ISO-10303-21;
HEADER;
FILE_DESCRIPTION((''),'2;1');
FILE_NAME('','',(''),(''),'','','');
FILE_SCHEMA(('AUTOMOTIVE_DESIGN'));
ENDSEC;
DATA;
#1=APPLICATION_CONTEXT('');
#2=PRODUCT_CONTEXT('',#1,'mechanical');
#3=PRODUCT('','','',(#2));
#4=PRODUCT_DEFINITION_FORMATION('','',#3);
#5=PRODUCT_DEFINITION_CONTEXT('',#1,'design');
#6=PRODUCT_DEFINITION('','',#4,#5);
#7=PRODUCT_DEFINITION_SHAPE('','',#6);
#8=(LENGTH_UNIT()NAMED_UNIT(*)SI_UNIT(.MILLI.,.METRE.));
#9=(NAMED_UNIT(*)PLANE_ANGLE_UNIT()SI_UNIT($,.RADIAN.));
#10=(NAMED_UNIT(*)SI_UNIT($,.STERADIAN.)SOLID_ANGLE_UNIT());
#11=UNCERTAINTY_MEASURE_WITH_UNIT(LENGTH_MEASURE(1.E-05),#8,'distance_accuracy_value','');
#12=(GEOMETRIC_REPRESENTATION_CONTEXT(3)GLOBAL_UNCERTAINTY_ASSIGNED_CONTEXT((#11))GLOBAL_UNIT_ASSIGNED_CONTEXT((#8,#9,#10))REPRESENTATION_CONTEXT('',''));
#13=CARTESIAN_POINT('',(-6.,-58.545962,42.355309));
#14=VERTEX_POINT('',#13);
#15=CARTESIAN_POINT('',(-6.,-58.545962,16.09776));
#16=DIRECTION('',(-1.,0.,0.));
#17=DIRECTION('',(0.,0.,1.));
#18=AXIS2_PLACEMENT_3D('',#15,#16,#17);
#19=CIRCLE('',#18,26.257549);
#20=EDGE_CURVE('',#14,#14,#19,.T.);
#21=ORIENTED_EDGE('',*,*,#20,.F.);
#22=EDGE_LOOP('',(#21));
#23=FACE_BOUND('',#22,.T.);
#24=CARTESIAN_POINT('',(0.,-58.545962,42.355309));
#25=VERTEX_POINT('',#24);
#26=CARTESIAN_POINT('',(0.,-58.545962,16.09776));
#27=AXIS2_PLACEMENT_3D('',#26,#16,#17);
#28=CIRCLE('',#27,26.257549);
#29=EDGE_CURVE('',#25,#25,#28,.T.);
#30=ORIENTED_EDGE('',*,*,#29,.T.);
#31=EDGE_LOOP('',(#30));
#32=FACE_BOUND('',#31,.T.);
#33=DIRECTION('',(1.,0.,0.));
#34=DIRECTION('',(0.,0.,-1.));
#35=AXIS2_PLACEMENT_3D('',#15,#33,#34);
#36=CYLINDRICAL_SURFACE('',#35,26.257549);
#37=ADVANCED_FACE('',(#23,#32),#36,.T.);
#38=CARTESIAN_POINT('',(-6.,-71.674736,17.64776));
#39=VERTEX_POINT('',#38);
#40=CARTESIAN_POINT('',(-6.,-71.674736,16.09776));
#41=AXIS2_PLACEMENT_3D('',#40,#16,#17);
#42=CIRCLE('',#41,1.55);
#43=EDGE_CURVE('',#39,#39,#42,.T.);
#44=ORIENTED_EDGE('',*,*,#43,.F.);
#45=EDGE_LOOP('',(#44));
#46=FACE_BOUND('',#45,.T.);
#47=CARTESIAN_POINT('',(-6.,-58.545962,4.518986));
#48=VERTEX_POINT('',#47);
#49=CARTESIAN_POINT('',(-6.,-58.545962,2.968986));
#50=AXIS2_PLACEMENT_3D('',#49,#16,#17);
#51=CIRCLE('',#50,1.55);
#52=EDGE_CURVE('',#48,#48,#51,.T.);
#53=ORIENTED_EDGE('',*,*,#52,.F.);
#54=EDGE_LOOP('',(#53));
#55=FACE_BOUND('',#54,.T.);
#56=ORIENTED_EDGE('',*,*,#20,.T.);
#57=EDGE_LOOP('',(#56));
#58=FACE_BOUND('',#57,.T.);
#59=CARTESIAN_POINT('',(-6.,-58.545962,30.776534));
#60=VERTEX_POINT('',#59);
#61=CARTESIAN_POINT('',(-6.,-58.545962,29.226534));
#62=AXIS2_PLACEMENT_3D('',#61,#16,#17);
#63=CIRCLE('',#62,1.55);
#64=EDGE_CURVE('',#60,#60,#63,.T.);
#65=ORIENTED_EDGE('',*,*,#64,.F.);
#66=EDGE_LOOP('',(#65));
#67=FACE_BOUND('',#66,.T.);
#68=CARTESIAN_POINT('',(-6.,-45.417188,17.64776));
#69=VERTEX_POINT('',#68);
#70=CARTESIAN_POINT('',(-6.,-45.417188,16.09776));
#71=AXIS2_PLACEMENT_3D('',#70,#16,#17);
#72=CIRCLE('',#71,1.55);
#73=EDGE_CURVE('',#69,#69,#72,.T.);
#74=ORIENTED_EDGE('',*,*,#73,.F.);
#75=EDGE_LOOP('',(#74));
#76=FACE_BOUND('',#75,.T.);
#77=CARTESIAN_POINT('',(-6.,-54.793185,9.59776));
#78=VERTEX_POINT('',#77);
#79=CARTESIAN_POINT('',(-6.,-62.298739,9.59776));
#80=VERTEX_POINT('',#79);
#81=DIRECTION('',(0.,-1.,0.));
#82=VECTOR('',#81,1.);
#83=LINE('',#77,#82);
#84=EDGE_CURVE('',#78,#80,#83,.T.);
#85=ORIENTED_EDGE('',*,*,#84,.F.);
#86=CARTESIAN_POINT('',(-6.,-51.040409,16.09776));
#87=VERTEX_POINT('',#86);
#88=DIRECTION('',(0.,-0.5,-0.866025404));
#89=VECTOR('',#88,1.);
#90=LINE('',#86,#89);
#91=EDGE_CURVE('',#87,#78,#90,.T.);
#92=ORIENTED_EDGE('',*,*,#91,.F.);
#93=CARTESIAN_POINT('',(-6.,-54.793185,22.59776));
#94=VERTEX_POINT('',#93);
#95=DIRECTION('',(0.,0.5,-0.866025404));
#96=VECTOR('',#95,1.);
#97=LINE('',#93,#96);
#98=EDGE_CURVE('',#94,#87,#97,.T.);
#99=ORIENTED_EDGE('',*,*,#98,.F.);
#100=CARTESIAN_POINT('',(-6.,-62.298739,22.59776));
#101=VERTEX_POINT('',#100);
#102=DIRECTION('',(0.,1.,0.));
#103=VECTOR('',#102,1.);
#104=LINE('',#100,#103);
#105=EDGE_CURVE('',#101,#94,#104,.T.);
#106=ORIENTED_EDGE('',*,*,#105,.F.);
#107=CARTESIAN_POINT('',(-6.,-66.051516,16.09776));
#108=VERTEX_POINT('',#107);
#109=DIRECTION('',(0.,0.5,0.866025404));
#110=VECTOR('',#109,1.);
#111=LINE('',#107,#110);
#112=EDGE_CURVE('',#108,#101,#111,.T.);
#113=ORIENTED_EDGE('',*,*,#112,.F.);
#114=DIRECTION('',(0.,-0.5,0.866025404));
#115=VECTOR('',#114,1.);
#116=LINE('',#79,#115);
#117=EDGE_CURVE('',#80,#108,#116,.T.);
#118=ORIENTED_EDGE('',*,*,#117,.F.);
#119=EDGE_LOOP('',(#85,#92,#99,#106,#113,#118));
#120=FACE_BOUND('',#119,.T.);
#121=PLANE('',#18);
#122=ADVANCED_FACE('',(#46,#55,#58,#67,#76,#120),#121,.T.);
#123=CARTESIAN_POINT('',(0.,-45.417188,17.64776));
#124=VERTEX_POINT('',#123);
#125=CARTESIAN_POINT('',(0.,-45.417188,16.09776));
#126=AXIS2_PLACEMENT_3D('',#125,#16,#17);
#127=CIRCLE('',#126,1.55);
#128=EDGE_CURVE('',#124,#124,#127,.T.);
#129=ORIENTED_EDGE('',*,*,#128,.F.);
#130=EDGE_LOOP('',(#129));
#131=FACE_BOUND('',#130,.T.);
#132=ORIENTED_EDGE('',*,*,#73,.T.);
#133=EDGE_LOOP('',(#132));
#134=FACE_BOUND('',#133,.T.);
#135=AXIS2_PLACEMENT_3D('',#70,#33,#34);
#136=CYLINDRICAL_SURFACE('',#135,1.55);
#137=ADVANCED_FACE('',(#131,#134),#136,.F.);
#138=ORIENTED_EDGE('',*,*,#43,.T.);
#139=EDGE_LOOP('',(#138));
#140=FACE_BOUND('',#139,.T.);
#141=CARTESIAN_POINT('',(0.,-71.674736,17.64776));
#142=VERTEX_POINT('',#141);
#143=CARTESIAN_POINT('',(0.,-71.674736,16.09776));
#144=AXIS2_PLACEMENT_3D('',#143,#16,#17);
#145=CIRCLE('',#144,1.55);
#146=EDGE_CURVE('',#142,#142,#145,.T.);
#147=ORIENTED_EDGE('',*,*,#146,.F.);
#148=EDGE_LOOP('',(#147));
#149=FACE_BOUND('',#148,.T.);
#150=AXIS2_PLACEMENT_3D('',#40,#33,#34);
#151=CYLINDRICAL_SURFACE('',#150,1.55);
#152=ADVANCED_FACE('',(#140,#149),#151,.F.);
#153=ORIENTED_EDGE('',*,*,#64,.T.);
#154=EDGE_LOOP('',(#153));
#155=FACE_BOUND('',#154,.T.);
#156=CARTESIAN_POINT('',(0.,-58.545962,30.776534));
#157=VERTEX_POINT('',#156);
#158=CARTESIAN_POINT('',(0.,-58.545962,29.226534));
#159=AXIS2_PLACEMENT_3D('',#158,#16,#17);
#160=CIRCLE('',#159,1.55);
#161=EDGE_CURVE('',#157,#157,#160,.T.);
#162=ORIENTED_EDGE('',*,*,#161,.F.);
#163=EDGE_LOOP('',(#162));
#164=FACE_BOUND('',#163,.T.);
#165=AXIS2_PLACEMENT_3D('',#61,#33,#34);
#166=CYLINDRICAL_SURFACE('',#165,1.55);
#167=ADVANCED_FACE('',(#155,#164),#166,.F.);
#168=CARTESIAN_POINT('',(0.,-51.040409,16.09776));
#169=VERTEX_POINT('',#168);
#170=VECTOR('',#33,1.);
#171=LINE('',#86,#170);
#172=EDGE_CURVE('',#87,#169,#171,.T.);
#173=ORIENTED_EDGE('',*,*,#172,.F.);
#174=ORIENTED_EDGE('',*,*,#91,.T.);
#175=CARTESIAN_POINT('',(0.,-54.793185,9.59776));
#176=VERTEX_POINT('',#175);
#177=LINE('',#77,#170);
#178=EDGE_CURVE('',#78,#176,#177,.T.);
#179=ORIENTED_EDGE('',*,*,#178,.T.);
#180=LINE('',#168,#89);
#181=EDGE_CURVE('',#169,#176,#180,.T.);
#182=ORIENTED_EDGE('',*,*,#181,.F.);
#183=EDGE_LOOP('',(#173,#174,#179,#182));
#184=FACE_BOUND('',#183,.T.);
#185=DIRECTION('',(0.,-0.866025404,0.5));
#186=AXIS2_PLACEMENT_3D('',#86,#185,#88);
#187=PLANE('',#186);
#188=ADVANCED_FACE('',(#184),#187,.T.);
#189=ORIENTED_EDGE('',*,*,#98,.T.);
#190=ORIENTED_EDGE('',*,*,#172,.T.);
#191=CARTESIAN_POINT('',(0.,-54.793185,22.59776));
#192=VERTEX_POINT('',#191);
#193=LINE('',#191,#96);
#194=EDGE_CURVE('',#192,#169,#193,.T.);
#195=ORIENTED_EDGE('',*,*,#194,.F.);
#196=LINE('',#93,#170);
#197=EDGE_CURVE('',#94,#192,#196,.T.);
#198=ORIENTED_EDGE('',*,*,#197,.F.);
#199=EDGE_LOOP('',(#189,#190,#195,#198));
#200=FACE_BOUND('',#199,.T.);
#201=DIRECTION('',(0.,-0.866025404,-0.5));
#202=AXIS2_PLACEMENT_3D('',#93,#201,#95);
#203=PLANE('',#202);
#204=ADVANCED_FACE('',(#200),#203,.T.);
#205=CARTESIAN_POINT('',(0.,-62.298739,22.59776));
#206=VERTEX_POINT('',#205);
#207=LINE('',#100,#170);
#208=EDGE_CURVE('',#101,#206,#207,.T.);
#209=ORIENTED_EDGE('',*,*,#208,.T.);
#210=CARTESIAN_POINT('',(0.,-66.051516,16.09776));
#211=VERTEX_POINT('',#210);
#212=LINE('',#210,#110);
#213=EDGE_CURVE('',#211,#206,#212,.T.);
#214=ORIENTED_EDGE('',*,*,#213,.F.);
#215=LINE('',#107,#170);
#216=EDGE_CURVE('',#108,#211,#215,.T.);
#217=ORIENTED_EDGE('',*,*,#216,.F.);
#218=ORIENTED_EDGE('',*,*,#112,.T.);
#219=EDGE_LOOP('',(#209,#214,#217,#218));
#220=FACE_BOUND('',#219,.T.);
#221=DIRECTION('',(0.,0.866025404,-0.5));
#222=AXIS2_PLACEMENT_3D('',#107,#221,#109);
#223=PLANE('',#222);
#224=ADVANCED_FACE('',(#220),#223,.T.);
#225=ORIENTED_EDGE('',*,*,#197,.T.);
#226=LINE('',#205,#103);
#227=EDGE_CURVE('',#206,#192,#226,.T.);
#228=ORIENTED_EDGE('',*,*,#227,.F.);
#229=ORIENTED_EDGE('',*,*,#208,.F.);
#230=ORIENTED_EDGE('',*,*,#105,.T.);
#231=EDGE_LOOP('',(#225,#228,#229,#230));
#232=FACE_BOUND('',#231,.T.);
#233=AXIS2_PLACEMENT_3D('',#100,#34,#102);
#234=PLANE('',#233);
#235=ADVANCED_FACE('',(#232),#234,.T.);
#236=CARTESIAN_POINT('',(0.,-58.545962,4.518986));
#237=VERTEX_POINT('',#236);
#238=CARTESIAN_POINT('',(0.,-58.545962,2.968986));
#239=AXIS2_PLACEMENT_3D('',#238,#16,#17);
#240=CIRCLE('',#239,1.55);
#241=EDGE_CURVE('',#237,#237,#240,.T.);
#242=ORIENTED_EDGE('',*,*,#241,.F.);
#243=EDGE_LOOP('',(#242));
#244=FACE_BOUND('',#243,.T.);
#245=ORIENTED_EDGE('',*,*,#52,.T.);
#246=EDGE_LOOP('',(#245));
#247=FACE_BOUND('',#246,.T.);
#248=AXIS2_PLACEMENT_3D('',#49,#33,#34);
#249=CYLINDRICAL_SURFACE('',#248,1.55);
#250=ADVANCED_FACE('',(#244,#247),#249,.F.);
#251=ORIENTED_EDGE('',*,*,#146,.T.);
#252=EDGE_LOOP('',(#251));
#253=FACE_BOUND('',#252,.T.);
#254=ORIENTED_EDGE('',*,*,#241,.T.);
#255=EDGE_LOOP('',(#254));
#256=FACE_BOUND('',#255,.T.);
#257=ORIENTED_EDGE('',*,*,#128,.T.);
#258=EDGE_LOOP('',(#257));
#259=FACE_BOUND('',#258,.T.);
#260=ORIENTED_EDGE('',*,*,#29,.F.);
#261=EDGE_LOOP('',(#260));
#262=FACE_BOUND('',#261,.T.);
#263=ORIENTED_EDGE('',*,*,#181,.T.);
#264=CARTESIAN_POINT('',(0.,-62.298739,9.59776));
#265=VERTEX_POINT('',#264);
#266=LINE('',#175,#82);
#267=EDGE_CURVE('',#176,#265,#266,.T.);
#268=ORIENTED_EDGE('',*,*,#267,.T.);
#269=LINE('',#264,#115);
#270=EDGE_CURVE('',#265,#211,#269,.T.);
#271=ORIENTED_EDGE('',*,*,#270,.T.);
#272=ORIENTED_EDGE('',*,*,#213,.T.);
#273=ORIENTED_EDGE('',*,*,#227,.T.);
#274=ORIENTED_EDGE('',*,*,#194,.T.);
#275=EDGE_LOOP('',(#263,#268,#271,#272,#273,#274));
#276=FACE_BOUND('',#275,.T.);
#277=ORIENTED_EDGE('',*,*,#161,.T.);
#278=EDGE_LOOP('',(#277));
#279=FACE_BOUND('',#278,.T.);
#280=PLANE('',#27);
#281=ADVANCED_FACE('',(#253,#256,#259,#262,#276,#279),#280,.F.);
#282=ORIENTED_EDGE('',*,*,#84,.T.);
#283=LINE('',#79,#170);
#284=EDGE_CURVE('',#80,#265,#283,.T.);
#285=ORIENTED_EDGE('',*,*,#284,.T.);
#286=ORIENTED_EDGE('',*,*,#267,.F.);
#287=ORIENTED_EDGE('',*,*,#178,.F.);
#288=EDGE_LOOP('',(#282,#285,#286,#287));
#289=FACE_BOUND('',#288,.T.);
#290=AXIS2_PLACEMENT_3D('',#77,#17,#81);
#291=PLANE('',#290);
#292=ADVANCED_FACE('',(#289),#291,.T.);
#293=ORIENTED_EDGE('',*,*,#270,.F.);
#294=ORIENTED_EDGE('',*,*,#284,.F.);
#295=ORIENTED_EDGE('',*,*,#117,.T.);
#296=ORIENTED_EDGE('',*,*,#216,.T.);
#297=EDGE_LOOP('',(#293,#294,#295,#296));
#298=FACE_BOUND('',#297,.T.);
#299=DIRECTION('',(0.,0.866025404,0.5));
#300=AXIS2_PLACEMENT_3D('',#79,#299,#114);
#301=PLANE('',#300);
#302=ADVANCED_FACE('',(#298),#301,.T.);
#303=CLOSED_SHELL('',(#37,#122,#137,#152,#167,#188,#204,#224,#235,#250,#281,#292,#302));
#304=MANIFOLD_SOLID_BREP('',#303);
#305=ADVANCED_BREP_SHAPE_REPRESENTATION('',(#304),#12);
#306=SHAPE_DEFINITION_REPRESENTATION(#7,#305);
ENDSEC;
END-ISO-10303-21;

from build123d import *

# Parameters (mm, degrees)
ESQUISSE1_R        = 26.257549031
ESQUISSE1_R_2      = 1.55
BOSS_EXTRU_1_DEPTH = 6


with BuildPart() as part:
    # Esquisse1 → Boss.-Extru.1 (new body)
    with BuildSketch(Plane.ZY):
        with Locations((16.097760006, -58.545962001)):
            Circle(ESQUISSE1_R)
        with Locations((29.226534372, -58.545962001)):
            Circle(ESQUISSE1_R_2, mode=Mode.SUBTRACT)
        with Locations((16.097760006, -45.417187634)):
            Circle(ESQUISSE1_R_2, mode=Mode.SUBTRACT)
        with Locations((2.968985639, -58.545962001)):
            Circle(ESQUISSE1_R_2, mode=Mode.SUBTRACT)
        with Locations((16.097760006, -71.674736367)):
            Circle(ESQUISSE1_R_2, mode=Mode.SUBTRACT)
        Polygon((16.097760006, -51.040408501), (9.597760006, -54.793185251), (9.597760006, -62.29873875), (16.097760006, -66.0515155), (22.597760006, -62.29873875), (22.597760006, -54.793185251), align=None, mode=Mode.SUBTRACT)
    extrude(amount=BOSS_EXTRU_1_DEPTH)


solid = part.part
